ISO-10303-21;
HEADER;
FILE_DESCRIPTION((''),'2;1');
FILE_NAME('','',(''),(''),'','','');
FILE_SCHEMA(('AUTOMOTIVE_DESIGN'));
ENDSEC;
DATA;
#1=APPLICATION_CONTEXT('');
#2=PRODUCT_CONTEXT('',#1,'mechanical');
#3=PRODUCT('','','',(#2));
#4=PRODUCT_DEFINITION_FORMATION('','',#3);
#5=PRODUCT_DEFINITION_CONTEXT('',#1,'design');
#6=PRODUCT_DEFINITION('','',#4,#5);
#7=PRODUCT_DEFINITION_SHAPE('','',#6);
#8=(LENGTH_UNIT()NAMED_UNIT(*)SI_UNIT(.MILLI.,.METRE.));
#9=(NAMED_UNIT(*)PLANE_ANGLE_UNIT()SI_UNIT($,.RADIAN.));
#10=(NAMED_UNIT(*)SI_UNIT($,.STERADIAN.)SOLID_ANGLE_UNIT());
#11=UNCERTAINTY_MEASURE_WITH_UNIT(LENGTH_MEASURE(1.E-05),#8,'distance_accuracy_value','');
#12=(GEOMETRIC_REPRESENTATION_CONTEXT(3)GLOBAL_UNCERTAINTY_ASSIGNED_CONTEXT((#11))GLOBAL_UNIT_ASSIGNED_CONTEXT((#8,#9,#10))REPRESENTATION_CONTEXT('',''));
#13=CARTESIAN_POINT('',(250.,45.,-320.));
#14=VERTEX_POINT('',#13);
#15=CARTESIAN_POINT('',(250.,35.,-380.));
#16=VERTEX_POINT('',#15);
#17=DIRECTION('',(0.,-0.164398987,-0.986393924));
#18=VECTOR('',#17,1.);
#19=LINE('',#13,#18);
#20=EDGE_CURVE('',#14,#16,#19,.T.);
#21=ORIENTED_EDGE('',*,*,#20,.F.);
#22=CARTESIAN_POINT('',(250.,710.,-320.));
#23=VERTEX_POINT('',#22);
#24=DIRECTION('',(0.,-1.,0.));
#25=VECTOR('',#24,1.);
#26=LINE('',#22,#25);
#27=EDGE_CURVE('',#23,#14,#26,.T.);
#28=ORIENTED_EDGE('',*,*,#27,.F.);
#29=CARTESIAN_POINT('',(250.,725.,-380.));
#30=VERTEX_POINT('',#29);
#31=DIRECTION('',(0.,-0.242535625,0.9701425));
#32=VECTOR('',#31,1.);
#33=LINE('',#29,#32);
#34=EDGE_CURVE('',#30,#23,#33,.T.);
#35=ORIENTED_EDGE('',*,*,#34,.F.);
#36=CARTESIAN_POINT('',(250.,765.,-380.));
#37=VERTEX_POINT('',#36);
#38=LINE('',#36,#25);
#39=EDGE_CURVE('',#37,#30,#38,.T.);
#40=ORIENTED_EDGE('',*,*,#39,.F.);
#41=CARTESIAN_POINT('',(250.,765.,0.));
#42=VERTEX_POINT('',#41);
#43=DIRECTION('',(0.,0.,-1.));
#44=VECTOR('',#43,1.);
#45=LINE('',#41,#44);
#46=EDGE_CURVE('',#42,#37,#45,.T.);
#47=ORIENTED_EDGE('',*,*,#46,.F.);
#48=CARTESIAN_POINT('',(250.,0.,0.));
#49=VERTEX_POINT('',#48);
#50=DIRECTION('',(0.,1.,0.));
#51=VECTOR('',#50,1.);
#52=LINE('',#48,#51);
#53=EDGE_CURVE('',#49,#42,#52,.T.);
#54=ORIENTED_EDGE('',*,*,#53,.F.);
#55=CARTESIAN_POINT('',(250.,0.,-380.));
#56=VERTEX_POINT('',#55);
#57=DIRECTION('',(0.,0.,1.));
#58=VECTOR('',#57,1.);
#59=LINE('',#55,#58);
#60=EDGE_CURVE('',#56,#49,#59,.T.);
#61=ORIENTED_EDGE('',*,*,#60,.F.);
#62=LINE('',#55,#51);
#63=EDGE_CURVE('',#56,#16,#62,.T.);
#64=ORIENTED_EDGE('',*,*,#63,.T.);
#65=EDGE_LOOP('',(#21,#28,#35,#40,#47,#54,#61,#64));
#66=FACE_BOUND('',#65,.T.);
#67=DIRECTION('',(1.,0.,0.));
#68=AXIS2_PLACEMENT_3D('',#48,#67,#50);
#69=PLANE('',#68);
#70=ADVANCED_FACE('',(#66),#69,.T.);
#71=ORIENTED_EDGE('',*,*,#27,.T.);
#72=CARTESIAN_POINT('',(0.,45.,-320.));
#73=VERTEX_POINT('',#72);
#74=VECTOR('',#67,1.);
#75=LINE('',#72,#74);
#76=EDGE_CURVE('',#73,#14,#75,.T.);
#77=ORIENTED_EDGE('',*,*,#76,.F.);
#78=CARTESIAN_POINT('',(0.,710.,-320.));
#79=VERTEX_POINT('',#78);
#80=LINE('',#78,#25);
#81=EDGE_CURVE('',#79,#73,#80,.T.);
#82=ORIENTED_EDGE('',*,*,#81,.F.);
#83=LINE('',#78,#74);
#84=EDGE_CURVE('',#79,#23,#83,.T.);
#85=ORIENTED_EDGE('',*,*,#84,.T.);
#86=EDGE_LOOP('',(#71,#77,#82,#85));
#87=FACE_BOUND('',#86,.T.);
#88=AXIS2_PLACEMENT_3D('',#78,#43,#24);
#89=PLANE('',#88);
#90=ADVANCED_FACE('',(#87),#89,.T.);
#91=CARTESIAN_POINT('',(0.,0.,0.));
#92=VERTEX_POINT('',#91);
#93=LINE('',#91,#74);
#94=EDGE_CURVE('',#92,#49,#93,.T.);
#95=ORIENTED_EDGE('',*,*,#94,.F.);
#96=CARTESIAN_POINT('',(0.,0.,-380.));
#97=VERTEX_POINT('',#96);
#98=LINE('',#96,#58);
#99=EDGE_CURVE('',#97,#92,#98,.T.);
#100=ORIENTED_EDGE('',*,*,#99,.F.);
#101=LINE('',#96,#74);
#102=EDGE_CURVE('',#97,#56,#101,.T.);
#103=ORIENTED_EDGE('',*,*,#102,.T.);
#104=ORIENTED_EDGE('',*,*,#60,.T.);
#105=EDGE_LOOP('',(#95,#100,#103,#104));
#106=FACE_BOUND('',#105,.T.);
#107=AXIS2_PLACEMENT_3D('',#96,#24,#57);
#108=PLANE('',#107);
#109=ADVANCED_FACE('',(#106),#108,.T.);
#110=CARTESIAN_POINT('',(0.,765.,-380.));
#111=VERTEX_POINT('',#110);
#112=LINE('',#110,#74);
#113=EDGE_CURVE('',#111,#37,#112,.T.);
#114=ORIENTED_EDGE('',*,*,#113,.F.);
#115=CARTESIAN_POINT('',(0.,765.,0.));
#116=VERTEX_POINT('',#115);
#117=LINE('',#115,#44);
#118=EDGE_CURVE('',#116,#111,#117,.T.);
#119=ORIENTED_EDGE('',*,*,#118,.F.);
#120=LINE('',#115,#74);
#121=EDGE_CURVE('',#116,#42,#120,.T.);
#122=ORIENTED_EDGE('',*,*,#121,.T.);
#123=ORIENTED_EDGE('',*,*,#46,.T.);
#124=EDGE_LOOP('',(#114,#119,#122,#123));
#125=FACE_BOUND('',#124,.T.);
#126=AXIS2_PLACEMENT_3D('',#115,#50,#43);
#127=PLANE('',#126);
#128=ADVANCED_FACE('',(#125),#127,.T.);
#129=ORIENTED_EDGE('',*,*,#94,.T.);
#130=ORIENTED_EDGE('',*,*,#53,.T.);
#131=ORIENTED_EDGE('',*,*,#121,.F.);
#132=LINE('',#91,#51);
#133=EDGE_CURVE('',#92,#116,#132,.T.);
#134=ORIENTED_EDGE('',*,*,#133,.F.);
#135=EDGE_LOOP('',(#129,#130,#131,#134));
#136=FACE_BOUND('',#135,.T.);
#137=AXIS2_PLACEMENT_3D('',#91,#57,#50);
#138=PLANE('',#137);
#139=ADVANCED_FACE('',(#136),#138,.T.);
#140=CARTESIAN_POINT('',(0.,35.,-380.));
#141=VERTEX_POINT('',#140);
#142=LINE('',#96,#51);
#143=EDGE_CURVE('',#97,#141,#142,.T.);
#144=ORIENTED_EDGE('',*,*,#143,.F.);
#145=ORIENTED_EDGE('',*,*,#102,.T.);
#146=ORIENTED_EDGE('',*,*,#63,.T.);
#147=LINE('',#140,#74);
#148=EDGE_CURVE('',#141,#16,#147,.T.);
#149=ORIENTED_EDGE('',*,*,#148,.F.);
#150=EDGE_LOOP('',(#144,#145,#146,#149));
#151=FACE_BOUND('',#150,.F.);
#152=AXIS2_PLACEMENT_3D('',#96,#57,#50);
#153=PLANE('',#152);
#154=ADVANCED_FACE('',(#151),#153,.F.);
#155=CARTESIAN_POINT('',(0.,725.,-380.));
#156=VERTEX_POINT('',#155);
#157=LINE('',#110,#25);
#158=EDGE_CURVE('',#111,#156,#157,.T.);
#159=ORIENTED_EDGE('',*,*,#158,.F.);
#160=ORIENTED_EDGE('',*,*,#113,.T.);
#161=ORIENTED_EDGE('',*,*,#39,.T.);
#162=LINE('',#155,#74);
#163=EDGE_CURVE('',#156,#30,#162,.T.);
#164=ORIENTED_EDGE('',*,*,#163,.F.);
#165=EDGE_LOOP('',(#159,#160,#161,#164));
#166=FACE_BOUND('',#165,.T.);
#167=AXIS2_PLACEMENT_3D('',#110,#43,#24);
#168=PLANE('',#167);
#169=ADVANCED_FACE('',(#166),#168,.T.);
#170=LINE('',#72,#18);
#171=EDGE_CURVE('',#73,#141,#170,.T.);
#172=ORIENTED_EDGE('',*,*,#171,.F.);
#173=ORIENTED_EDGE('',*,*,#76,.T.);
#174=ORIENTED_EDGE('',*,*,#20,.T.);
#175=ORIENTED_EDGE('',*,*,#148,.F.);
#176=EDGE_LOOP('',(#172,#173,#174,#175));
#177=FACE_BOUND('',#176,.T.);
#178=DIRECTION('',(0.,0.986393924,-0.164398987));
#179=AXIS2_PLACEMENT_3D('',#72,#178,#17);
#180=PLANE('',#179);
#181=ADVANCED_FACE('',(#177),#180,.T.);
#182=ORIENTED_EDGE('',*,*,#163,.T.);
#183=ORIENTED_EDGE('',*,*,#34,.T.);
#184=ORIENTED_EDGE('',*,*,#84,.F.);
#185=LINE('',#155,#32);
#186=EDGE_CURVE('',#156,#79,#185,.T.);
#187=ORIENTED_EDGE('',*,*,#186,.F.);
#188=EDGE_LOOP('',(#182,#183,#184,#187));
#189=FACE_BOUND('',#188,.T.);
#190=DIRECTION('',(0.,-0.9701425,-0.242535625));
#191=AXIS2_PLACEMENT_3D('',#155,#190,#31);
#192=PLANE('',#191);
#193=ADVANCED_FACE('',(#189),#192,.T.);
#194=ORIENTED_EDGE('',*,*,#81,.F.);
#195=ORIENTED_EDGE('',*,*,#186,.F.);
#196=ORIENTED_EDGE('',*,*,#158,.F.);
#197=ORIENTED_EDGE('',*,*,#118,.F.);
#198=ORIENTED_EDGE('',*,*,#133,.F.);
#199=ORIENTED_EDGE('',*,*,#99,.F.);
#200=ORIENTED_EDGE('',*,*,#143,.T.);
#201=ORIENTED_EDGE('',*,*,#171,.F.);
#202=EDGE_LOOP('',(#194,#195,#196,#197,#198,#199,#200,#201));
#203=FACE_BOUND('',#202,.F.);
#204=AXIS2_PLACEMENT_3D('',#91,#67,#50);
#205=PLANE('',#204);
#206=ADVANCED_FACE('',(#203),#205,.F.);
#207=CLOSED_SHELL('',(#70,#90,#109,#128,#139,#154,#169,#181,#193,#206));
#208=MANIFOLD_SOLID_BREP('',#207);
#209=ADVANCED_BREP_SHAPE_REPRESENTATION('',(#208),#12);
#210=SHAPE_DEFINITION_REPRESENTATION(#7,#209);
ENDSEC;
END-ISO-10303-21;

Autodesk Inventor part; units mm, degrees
ref_plane "YZ Plane" through (0, 0, 0) normal (1, 0, 0) x (0, 1, 0)
ref_plane "XZ Plane" through (0, 0, 0) normal (0, 1, 0) x (-1, 0, 0)
ref_plane "XY Plane" through (0, 0, 0) normal (0, 0, 1) x (1, 0, 0)
sketch "Sketch2" plane through (0, 0, 0) normal (1, 0, 0) x (0, 1, 0)
  line L0 (0, 0) -> (765, 0)
  line L1 (765, 0) -> (765, -380)
  line L2 (0, -380) -> (0, 0)
  line L3 (710, -320) -> (45, -320)
  line L4 (0, -380) -> (35, -380)
  line L5 (765, -380) -> (725, -380)
  line L6 (725, -380) -> (710, -320)
  line L7 (45, -320) -> (35, -380)
  dimension "d3" = 380
  dimension "d4" = 320
  dimension "d5" = 35
  dimension "d6" = 40
  dimension "d7" = 765
  dimension "d8" = 55
  dimension "d9" = 45
extrude "Extrusion1" add sketch "Sketch2" along normal blind 250
properties part number "StandLeg"
